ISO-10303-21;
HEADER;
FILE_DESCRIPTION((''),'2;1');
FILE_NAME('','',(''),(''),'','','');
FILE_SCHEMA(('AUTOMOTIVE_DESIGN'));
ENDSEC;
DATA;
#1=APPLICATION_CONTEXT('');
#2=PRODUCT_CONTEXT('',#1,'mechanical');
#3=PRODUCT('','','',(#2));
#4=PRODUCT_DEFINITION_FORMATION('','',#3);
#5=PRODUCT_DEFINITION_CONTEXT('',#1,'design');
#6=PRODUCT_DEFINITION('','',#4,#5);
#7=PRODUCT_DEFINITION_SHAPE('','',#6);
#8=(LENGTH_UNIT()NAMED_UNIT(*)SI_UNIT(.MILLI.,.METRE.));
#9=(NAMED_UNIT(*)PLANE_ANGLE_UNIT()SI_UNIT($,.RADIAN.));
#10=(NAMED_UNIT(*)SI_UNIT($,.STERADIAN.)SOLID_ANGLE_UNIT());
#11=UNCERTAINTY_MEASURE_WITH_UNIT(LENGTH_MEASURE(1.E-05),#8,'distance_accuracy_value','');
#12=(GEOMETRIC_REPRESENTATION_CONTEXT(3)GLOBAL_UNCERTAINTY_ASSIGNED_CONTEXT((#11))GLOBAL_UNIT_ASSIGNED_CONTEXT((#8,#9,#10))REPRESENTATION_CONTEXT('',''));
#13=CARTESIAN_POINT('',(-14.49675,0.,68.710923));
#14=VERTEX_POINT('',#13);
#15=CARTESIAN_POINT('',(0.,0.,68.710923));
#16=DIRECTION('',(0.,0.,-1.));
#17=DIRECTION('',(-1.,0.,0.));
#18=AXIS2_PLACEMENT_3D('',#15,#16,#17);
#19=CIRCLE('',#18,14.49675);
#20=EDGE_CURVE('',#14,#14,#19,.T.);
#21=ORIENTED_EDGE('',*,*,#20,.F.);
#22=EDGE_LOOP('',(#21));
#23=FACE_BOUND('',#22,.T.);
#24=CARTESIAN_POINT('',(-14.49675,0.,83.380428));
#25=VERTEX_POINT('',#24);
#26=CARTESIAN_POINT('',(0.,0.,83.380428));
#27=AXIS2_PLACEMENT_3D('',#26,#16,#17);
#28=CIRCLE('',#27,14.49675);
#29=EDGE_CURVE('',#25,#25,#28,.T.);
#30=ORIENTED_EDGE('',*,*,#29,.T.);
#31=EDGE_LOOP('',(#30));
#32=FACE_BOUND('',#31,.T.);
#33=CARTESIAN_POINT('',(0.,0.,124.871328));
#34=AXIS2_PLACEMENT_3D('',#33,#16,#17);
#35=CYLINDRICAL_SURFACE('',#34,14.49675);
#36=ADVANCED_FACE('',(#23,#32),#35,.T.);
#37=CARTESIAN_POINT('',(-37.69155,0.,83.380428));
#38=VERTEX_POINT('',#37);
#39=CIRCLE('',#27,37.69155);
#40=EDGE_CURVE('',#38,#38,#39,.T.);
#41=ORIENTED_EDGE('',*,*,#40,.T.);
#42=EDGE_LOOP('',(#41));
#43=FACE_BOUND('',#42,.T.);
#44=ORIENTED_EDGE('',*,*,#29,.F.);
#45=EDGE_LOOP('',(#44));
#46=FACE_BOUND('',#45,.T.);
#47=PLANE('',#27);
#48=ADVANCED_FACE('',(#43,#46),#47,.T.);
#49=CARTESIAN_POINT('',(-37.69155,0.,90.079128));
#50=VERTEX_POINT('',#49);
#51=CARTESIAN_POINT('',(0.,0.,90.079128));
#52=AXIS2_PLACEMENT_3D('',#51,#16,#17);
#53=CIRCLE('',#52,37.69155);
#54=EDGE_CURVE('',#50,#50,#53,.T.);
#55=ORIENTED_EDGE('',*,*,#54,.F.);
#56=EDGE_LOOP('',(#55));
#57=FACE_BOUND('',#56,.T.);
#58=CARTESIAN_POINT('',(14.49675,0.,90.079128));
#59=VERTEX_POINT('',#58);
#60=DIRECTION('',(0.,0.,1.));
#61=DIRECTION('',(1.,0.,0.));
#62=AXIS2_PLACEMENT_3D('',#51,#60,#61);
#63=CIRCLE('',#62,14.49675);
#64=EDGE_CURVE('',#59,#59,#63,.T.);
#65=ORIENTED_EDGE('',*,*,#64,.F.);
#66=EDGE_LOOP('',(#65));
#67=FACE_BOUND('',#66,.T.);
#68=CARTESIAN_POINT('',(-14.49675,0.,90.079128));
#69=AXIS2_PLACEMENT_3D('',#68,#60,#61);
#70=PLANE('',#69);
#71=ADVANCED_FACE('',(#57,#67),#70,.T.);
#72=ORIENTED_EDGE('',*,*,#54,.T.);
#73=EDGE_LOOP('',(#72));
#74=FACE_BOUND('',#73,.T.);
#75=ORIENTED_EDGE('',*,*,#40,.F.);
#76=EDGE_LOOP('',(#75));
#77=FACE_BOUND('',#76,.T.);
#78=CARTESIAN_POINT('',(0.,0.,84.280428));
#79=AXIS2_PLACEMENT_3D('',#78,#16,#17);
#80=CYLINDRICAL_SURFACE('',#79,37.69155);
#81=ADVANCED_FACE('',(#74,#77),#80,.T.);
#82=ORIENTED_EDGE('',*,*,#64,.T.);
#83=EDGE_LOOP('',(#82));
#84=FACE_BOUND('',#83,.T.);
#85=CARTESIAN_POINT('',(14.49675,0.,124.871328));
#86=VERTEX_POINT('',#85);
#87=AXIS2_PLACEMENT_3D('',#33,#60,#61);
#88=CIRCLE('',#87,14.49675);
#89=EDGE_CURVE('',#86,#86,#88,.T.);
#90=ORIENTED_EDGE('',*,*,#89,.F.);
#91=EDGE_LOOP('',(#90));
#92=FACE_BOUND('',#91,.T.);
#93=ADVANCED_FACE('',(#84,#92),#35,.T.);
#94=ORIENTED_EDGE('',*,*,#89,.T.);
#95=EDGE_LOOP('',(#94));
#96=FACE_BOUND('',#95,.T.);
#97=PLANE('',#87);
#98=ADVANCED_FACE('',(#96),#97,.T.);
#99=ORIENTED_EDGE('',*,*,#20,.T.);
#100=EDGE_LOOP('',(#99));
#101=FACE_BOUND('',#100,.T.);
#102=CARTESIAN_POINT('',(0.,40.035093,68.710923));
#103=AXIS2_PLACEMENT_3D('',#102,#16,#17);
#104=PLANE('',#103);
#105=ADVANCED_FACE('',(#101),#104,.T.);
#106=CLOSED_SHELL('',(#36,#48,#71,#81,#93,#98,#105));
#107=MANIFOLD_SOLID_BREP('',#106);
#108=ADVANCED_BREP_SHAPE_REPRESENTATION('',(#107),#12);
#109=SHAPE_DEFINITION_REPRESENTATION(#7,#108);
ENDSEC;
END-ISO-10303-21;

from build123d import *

# Parameters (mm, degrees)
SKETCH1_R           = 5
BOSS_EXTRUDE1_DEPTH = 80
SCALE1_SCALE        = 1.9329
BOSS_EXTRUDE2_START = 0.6
SKETCH3_R           = 25.1277
BOSS_EXTRUDE2_DEPTH = 0.6
SCALE2_SCALE        = 1.5


with BuildPart() as part:
    # Sketch1 → Boss-Extrude1 (new body)
    with BuildSketch(Plane.XY):
        Circle(SKETCH1_R)
    extrude(amount=BOSS_EXTRUDE1_DEPTH)

    # Sketch2 → Revolve1 (revolve)
    with BuildSketch(Plane(origin=(0, 0, 0), x_dir=(1, 0, 0), z_dir=(0, 1, 0))):
        Polygon((0, -66), (0, -68), (-5, -68), (-13, -68), (-13, -66), align=None)
    revolve(axis=Axis((0, 0, 66), (0, 0, 1)))


with BuildPart() as part_1:
    # Scale1: scaled about (0, 0, 43.398601399)
    add(part.part.scale(SCALE1_SCALE).moved(Location((0, 0, -40.486555245))))

    # Sketch3 → Boss-Extrude2 (add)
    with BuildSketch(Plane(origin=(0, 0, 87.084844755), x_dir=(-1, 0, 0), z_dir=(0, 0, -1)).offset(BOSS_EXTRUDE2_START)):
        Circle(SKETCH3_R)
    extrude(amount=-BOSS_EXTRUDE2_DEPTH)

    # Sketch4 → Cut-Revolve1 (revolve, cut)
    with BuildSketch(Plane(origin=(0, 0, 0), x_dir=(0, 0, -1), z_dir=(1, 0, 0)), mode=Mode.PRIVATE) as cut_revolve1_sk:
        Polygon((-76.705174755, 26.6900619), (-76.705174755, 0), (46.736883237, 0), (46.736883237, 27.883866585), align=None)
    revolve(cut_revolve1_sk.sketch.rotate(Axis((0, 0, 76.705174755), (0, 0, -1)), 270), axis=Axis((0, 0, 76.705174755), (0, 0, -1)), mode=Mode.SUBTRACT)


with BuildPart() as part_2:
    # Scale2: scaled about (0, 0, 92.693679073)
    add(part_1.part.scale(SCALE2_SCALE).moved(Location((0, 0, -46.346839536))))


solid = part_2.part
